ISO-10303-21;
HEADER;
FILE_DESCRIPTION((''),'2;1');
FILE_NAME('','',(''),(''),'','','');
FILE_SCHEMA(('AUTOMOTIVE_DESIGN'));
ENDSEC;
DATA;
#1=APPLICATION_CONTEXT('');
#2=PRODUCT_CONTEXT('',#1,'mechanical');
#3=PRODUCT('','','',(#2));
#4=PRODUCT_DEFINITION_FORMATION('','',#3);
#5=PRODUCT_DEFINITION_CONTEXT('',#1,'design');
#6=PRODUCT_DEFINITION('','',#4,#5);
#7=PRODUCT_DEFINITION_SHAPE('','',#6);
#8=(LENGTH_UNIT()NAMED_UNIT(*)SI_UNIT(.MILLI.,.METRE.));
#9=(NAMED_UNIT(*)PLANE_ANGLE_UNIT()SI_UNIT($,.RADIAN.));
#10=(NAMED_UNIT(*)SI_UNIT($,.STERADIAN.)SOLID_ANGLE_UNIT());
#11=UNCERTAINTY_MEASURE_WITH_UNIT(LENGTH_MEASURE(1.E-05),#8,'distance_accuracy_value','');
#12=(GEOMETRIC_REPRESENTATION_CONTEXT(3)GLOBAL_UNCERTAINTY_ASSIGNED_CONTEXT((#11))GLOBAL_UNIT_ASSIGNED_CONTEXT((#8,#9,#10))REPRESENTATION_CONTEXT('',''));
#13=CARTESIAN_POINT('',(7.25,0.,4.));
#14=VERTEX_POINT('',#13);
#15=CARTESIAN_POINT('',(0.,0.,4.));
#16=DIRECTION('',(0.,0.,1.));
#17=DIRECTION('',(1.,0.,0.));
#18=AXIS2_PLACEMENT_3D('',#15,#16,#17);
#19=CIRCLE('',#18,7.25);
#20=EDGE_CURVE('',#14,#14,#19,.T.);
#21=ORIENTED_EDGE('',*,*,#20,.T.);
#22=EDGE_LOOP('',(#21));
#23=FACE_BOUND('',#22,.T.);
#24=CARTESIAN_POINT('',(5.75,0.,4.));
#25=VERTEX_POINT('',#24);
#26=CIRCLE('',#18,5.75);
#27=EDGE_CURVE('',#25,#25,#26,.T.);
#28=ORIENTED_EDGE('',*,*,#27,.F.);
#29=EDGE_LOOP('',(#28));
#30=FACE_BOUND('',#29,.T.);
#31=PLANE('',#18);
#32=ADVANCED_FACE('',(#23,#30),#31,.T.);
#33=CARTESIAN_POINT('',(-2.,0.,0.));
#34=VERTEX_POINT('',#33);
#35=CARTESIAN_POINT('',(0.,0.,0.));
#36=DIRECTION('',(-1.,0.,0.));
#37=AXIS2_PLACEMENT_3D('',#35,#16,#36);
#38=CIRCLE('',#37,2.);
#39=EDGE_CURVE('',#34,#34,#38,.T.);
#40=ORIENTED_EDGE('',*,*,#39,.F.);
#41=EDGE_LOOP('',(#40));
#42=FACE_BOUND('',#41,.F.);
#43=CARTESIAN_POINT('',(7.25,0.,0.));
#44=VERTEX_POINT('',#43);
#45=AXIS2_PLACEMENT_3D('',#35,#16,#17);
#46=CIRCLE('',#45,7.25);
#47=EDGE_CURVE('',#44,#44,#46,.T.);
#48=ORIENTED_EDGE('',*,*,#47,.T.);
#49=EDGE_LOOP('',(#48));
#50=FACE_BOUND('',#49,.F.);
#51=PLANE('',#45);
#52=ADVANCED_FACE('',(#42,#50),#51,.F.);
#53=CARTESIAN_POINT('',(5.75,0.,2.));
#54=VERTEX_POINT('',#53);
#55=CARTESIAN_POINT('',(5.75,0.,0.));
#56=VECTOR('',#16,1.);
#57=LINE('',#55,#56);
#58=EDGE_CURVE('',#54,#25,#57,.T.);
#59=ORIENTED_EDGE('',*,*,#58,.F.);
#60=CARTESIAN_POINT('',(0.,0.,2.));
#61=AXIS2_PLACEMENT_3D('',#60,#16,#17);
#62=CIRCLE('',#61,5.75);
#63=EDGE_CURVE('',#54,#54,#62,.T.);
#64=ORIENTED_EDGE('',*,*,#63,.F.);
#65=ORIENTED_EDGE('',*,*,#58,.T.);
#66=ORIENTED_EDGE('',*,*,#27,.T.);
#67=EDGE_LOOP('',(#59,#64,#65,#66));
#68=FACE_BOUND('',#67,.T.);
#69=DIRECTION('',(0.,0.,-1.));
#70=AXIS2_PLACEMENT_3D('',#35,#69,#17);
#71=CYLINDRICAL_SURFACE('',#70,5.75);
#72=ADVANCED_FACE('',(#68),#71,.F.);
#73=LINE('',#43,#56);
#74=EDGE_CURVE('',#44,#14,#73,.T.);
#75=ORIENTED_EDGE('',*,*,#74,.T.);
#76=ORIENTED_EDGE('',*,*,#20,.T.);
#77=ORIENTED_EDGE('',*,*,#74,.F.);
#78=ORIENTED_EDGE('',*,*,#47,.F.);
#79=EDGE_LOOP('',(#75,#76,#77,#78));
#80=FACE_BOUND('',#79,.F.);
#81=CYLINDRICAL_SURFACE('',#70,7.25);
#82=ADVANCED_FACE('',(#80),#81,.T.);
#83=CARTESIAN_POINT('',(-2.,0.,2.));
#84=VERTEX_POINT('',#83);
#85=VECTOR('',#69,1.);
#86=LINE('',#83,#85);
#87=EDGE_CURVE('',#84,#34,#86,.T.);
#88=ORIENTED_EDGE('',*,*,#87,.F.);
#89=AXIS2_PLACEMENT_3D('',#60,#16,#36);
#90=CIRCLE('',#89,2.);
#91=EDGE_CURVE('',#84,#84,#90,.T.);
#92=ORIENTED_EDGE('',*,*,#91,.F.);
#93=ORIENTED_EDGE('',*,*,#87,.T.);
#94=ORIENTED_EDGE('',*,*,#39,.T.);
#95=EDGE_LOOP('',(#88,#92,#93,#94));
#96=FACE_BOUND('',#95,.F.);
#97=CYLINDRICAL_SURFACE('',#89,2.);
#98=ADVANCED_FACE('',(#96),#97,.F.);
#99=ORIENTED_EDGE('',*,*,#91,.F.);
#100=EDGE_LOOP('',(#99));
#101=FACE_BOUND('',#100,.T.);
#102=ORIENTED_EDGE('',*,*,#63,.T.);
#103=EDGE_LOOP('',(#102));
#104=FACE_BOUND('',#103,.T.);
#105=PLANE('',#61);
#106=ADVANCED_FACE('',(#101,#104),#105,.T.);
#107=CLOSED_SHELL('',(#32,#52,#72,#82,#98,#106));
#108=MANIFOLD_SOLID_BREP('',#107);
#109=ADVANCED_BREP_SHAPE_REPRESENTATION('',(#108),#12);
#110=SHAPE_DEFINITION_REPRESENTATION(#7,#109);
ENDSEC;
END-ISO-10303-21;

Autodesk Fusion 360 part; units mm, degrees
sketch "Sketch1" plane through (0, 0, 0) normal (0, 0, 1) x (1, 0, 0)
  circle A0 centre (0, 0) radius 5.75
  circle A1 centre (0, 0) radius 7.25
  dimension "d1" = 11.5
  dimension "d9" = 1.5
extrude "Extrude1" add sketch "Sketch1" along normal blind 4
extrude "Extrude2" add sketch "Sketch1" along normal blind 2 contours A0
sketch "Sketch2" plane through (0, 0, 2) normal (0, 0, 1) x (-1, 0, 0)
  circle A0 centre (0, 0) radius 5.75
  circle A1 centre (0, 0) radius 2
  dimension "d6" = 4
extrude "Extrude3" cut sketch "Sketch2" against normal blind 5 contours A1
